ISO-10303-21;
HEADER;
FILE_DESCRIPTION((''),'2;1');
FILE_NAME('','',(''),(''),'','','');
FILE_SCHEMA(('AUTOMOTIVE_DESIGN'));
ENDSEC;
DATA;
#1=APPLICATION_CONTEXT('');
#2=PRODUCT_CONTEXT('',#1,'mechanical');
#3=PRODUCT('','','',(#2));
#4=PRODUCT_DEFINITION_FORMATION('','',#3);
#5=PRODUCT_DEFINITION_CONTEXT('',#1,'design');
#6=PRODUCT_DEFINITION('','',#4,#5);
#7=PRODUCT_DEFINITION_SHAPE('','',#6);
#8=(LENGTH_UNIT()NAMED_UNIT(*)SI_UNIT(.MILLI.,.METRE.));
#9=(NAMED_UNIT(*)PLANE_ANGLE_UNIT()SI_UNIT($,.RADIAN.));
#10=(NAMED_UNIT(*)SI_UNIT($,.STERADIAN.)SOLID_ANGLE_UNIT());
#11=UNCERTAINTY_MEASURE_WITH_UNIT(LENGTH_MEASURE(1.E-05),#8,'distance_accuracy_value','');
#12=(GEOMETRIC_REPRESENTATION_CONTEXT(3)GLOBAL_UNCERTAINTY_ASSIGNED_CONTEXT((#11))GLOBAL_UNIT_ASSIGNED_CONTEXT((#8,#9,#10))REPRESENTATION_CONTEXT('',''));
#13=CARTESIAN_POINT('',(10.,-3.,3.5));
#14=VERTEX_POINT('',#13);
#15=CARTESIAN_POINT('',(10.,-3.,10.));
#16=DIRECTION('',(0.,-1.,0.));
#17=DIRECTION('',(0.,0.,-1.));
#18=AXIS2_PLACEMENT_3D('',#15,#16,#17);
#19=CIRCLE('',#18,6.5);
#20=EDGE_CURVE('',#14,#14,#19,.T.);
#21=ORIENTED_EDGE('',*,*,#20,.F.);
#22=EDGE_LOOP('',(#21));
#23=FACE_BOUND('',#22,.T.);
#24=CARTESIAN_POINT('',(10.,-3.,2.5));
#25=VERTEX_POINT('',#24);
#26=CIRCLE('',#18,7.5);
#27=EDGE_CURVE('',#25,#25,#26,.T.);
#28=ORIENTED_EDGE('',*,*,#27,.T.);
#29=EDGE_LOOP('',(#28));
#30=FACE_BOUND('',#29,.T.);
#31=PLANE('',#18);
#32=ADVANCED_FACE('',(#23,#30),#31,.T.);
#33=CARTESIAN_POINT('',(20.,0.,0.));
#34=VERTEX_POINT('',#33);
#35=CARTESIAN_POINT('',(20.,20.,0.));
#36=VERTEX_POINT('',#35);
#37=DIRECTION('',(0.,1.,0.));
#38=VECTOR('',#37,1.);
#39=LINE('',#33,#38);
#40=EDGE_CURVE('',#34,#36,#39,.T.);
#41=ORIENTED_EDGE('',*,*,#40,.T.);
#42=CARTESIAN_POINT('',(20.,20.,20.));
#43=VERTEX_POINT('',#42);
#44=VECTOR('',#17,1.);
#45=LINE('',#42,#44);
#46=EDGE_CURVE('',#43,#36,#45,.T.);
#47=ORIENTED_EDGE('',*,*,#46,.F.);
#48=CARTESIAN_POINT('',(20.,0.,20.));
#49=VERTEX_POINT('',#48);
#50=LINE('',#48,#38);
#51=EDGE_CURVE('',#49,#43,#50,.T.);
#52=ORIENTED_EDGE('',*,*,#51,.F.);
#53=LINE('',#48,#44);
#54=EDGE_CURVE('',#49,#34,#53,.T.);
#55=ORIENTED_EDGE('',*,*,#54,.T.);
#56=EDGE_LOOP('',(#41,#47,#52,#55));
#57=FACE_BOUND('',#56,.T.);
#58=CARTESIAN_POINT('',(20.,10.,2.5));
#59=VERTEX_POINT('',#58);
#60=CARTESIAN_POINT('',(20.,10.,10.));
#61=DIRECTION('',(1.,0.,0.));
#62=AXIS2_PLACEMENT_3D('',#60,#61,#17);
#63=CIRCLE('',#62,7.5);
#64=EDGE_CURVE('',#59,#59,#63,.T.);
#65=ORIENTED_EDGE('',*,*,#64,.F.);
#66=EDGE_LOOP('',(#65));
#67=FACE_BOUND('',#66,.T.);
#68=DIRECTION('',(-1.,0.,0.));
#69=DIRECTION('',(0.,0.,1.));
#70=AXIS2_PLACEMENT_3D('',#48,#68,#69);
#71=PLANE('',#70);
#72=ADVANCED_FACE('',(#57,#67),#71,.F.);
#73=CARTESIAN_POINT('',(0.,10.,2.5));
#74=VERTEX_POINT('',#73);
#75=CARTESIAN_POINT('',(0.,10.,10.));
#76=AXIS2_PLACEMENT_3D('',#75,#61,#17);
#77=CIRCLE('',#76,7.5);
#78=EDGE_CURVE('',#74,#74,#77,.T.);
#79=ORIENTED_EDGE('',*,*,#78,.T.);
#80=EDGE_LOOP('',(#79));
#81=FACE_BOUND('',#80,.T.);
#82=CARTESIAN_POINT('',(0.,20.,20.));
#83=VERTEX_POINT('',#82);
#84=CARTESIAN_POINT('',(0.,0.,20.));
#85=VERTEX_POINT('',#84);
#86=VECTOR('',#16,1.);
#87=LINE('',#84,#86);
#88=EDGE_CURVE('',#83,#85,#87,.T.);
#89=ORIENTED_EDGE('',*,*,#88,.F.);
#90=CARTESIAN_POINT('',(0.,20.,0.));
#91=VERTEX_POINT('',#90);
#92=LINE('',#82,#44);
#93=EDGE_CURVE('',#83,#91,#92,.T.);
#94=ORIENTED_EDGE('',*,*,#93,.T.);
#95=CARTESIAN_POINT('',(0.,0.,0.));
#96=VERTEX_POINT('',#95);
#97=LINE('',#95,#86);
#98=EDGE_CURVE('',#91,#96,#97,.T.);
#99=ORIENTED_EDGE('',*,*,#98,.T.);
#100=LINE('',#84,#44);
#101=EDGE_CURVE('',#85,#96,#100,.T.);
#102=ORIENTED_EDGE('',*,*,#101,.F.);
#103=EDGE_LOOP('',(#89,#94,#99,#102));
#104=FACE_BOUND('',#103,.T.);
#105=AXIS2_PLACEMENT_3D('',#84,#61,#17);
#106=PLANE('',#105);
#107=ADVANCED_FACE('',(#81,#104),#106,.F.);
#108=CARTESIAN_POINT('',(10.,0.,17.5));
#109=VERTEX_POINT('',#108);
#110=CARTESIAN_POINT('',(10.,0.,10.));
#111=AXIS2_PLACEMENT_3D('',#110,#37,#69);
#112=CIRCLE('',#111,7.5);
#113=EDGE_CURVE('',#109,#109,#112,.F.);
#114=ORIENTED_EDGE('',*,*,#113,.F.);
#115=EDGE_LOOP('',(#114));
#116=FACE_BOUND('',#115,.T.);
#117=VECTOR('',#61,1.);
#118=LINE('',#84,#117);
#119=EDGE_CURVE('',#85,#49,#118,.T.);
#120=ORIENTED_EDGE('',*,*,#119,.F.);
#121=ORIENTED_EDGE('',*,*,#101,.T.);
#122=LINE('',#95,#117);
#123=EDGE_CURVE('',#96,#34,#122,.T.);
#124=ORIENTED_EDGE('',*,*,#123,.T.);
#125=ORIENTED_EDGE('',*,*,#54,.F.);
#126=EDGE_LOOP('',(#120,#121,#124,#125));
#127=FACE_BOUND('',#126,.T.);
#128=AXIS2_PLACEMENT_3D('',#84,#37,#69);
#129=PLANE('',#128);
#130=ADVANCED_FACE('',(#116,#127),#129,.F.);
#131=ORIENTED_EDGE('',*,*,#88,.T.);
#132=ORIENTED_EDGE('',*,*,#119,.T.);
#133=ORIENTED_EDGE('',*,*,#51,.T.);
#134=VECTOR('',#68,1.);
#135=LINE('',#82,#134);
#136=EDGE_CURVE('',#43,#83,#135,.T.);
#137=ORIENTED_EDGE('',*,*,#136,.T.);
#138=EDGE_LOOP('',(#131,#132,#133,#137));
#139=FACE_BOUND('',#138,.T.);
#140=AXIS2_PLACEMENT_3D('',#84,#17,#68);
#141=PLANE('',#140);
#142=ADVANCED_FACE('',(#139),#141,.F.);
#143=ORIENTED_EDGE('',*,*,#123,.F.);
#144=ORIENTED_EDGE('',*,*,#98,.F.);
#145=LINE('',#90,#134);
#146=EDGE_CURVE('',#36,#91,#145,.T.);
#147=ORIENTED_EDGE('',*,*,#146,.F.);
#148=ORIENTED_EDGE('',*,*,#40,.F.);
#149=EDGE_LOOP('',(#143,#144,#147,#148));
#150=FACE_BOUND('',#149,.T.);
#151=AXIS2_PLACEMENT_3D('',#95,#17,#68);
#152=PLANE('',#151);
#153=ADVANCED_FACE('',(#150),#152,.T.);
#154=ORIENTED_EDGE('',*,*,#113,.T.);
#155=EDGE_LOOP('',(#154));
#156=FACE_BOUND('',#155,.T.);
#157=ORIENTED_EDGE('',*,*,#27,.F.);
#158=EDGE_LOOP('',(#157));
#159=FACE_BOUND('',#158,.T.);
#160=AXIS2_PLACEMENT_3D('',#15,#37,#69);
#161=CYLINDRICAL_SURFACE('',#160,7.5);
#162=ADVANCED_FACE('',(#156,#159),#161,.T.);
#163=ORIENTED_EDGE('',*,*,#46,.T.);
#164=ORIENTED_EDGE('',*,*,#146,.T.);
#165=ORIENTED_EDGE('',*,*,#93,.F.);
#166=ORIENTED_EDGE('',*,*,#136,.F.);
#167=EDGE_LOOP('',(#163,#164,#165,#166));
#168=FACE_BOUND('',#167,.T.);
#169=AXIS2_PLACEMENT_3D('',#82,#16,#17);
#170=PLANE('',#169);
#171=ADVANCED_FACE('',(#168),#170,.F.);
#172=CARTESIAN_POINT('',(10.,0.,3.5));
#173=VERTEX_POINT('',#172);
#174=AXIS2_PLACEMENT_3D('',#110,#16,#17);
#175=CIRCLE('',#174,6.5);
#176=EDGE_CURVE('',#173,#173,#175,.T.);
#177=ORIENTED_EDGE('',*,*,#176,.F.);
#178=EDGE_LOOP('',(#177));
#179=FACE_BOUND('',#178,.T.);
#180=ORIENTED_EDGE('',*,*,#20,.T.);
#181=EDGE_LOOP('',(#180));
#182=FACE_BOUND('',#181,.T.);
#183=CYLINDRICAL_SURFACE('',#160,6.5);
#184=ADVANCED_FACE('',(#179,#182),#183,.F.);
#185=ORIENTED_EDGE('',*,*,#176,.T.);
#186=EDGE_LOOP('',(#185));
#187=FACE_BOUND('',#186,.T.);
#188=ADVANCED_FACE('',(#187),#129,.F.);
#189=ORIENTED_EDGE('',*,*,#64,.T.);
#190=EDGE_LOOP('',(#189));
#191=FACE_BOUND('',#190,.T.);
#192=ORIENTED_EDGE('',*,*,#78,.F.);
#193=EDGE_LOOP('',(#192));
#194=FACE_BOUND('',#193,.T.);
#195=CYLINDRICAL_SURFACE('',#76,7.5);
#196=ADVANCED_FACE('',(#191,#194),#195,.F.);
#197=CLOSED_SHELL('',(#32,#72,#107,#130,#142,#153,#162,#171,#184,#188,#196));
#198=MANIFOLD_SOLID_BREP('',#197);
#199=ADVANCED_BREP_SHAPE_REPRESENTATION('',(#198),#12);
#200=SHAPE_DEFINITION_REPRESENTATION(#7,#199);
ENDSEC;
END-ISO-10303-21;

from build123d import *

# Parameters (mm, degrees)
SKETCH1_W           = 20
SKETCH1_H           = 20
BOSS_EXTRUDE1_DEPTH = 20
SKETCH2_R           = 7.5
CUT_EXTRUDE1_DEPTH  = 20
SKETCH3_R           = 7.5
SKETCH3_R_2         = 6.5
BOSS_EXTRUDE2_DEPTH = 3


with BuildPart() as part:
    # Sketch1 → Boss-Extrude1 (new body)
    with BuildSketch(Plane.XY):
        with Locations((10, 10)):
            Rectangle(SKETCH1_W, SKETCH1_H)
    extrude(amount=BOSS_EXTRUDE1_DEPTH)

    # Sketch2 → Cut-Extrude1 (cut)
    with BuildSketch(Plane(origin=(20, 0, 0), x_dir=(0, 0, -1), z_dir=(1, 0, 0))):
        with Locations((-10, 10)):
            Circle(SKETCH2_R)
    extrude(amount=-CUT_EXTRUDE1_DEPTH, mode=Mode.SUBTRACT)

    # Sketch3 → Boss-Extrude2 (add)
    with BuildSketch(Plane(origin=(0, 0, 0), x_dir=(-1, 0, 0), z_dir=(0, -1, 0))):
        with Locations(Location((-10, -10, 0), (0, 0, 270))):
            Circle(SKETCH3_R)
        with Locations(Location((-10, -10, 0), (0, 0, 90))):
            Circle(SKETCH3_R_2, mode=Mode.SUBTRACT)
    extrude(amount=BOSS_EXTRUDE2_DEPTH)


solid = part.part
